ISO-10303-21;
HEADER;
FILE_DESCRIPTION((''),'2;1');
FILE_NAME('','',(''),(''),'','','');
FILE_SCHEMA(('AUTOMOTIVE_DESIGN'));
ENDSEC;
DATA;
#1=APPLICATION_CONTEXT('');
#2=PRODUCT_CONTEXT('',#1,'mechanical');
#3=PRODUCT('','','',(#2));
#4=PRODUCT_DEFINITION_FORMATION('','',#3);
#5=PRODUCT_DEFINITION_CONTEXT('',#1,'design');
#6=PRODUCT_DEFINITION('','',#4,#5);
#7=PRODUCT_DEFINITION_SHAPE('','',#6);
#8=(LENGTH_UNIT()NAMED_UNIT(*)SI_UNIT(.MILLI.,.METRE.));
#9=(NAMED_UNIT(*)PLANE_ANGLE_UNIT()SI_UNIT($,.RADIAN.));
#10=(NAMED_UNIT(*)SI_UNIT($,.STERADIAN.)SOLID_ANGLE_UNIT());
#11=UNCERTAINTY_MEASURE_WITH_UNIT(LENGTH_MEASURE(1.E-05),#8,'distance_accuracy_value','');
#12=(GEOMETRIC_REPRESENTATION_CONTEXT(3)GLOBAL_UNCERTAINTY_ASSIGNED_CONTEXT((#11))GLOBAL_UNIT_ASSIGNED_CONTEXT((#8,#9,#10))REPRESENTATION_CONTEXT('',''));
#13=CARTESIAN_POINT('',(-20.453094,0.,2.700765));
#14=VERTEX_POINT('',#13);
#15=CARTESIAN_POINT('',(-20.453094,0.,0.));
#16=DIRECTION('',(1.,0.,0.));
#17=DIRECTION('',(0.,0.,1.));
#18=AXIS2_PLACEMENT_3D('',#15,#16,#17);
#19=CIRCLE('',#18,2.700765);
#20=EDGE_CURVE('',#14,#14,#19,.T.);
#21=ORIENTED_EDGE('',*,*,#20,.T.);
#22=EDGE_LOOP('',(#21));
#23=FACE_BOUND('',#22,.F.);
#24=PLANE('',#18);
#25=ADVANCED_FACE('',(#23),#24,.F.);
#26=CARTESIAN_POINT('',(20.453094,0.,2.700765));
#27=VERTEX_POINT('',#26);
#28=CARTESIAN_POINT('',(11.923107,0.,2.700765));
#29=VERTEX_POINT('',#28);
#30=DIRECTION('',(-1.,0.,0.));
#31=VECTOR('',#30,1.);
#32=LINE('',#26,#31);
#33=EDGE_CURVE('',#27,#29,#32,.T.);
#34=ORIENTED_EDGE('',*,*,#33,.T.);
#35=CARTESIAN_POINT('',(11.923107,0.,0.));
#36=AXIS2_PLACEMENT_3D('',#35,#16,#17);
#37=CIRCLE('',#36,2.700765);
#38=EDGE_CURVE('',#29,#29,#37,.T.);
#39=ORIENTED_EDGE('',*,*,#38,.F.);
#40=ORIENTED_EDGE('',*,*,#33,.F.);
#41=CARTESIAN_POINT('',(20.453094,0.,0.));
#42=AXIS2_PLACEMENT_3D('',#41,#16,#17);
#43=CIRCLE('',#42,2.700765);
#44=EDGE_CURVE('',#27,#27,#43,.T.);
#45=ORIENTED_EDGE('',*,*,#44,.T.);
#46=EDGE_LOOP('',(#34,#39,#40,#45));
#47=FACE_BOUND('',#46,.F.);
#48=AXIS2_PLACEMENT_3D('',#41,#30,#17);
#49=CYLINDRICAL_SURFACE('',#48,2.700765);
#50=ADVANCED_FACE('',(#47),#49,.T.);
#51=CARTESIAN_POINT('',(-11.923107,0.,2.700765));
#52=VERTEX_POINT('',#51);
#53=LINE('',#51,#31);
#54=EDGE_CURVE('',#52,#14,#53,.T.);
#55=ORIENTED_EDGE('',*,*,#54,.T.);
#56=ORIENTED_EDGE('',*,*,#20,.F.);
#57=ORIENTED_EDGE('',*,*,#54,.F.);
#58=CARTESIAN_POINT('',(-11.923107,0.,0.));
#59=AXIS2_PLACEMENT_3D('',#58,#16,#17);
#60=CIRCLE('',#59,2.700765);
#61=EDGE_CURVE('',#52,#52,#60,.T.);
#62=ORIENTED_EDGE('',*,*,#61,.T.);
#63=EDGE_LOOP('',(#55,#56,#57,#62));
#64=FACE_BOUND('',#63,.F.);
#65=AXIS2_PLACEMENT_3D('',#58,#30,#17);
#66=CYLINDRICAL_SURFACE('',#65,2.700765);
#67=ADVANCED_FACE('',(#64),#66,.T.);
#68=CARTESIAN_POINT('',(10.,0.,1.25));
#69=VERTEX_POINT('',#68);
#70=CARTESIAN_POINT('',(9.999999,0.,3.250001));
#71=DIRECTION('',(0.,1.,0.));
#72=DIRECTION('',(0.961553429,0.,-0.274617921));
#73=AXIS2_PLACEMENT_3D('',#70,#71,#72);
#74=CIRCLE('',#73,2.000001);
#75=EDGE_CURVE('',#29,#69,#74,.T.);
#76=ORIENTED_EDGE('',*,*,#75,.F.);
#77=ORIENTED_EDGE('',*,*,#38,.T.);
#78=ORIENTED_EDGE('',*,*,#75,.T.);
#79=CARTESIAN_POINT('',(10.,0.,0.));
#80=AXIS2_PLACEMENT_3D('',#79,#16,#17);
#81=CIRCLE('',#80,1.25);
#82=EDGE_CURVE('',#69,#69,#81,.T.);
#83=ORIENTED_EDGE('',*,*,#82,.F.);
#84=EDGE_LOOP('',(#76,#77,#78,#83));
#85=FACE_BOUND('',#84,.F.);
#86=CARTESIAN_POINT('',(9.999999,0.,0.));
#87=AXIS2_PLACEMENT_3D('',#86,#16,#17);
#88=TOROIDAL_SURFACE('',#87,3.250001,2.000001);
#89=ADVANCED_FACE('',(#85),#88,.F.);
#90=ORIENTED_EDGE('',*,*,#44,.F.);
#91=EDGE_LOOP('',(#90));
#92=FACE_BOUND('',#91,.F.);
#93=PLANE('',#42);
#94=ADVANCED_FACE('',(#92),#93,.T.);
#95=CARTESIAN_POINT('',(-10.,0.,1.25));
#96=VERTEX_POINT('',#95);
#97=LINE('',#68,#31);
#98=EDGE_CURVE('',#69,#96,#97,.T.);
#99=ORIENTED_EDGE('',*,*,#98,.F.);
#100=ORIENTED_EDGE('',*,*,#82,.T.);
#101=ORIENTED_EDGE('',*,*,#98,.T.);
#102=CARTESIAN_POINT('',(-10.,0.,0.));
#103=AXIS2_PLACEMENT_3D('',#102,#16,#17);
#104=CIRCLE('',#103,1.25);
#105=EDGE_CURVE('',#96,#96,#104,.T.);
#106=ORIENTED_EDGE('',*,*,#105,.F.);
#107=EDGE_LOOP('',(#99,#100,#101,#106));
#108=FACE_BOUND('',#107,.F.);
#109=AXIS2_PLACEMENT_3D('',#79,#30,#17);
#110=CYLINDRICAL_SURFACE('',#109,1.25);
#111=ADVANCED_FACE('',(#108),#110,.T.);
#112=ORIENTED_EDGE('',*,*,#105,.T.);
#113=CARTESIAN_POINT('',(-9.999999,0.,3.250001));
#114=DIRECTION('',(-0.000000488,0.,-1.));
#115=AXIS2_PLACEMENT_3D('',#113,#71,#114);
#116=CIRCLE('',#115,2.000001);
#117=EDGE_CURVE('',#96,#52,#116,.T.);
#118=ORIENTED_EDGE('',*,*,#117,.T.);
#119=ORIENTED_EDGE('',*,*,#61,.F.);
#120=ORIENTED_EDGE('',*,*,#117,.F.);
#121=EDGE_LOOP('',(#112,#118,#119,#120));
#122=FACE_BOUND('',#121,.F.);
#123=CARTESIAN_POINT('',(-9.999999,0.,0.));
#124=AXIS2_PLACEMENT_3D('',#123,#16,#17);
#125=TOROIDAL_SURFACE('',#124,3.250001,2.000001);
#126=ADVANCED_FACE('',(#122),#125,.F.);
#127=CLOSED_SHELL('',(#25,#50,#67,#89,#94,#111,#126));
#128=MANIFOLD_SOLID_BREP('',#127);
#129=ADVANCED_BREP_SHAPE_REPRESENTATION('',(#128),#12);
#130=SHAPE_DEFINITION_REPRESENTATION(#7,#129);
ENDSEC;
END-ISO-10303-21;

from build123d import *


with BuildPart() as f1:
    # F0 (on Front) → F1 (revolve)
    with BuildSketch(Plane.XZ):
        with BuildLine():
            Line((10, 1.25), (0, 1.25))
            Line((0, 1.25), (-10, 1.25))
            ThreePointArc((-10, 1.25), (-11.204477, 1.653368), (-11.923107, 2.700765))
            Line((-11.923107, 2.700765), (-20.453094, 2.700765))
            Line((-20.453094, 2.700765), (-20.453094, 0))
            Line((-20.453094, 0), (0, 0))
            Line((0, 0), (20.453094, 0))
            Line((20.453094, 0), (20.453094, 2.700765))
            Line((20.453094, 2.700765), (11.923107, 2.700765))
            ThreePointArc((11.923107, 2.700765), (11.204477, 1.653368), (10, 1.25))
        make_face()
    revolve(axis=Axis((-10.226547, 0, 0), (1, 0, 0)))


solid = f1.part
